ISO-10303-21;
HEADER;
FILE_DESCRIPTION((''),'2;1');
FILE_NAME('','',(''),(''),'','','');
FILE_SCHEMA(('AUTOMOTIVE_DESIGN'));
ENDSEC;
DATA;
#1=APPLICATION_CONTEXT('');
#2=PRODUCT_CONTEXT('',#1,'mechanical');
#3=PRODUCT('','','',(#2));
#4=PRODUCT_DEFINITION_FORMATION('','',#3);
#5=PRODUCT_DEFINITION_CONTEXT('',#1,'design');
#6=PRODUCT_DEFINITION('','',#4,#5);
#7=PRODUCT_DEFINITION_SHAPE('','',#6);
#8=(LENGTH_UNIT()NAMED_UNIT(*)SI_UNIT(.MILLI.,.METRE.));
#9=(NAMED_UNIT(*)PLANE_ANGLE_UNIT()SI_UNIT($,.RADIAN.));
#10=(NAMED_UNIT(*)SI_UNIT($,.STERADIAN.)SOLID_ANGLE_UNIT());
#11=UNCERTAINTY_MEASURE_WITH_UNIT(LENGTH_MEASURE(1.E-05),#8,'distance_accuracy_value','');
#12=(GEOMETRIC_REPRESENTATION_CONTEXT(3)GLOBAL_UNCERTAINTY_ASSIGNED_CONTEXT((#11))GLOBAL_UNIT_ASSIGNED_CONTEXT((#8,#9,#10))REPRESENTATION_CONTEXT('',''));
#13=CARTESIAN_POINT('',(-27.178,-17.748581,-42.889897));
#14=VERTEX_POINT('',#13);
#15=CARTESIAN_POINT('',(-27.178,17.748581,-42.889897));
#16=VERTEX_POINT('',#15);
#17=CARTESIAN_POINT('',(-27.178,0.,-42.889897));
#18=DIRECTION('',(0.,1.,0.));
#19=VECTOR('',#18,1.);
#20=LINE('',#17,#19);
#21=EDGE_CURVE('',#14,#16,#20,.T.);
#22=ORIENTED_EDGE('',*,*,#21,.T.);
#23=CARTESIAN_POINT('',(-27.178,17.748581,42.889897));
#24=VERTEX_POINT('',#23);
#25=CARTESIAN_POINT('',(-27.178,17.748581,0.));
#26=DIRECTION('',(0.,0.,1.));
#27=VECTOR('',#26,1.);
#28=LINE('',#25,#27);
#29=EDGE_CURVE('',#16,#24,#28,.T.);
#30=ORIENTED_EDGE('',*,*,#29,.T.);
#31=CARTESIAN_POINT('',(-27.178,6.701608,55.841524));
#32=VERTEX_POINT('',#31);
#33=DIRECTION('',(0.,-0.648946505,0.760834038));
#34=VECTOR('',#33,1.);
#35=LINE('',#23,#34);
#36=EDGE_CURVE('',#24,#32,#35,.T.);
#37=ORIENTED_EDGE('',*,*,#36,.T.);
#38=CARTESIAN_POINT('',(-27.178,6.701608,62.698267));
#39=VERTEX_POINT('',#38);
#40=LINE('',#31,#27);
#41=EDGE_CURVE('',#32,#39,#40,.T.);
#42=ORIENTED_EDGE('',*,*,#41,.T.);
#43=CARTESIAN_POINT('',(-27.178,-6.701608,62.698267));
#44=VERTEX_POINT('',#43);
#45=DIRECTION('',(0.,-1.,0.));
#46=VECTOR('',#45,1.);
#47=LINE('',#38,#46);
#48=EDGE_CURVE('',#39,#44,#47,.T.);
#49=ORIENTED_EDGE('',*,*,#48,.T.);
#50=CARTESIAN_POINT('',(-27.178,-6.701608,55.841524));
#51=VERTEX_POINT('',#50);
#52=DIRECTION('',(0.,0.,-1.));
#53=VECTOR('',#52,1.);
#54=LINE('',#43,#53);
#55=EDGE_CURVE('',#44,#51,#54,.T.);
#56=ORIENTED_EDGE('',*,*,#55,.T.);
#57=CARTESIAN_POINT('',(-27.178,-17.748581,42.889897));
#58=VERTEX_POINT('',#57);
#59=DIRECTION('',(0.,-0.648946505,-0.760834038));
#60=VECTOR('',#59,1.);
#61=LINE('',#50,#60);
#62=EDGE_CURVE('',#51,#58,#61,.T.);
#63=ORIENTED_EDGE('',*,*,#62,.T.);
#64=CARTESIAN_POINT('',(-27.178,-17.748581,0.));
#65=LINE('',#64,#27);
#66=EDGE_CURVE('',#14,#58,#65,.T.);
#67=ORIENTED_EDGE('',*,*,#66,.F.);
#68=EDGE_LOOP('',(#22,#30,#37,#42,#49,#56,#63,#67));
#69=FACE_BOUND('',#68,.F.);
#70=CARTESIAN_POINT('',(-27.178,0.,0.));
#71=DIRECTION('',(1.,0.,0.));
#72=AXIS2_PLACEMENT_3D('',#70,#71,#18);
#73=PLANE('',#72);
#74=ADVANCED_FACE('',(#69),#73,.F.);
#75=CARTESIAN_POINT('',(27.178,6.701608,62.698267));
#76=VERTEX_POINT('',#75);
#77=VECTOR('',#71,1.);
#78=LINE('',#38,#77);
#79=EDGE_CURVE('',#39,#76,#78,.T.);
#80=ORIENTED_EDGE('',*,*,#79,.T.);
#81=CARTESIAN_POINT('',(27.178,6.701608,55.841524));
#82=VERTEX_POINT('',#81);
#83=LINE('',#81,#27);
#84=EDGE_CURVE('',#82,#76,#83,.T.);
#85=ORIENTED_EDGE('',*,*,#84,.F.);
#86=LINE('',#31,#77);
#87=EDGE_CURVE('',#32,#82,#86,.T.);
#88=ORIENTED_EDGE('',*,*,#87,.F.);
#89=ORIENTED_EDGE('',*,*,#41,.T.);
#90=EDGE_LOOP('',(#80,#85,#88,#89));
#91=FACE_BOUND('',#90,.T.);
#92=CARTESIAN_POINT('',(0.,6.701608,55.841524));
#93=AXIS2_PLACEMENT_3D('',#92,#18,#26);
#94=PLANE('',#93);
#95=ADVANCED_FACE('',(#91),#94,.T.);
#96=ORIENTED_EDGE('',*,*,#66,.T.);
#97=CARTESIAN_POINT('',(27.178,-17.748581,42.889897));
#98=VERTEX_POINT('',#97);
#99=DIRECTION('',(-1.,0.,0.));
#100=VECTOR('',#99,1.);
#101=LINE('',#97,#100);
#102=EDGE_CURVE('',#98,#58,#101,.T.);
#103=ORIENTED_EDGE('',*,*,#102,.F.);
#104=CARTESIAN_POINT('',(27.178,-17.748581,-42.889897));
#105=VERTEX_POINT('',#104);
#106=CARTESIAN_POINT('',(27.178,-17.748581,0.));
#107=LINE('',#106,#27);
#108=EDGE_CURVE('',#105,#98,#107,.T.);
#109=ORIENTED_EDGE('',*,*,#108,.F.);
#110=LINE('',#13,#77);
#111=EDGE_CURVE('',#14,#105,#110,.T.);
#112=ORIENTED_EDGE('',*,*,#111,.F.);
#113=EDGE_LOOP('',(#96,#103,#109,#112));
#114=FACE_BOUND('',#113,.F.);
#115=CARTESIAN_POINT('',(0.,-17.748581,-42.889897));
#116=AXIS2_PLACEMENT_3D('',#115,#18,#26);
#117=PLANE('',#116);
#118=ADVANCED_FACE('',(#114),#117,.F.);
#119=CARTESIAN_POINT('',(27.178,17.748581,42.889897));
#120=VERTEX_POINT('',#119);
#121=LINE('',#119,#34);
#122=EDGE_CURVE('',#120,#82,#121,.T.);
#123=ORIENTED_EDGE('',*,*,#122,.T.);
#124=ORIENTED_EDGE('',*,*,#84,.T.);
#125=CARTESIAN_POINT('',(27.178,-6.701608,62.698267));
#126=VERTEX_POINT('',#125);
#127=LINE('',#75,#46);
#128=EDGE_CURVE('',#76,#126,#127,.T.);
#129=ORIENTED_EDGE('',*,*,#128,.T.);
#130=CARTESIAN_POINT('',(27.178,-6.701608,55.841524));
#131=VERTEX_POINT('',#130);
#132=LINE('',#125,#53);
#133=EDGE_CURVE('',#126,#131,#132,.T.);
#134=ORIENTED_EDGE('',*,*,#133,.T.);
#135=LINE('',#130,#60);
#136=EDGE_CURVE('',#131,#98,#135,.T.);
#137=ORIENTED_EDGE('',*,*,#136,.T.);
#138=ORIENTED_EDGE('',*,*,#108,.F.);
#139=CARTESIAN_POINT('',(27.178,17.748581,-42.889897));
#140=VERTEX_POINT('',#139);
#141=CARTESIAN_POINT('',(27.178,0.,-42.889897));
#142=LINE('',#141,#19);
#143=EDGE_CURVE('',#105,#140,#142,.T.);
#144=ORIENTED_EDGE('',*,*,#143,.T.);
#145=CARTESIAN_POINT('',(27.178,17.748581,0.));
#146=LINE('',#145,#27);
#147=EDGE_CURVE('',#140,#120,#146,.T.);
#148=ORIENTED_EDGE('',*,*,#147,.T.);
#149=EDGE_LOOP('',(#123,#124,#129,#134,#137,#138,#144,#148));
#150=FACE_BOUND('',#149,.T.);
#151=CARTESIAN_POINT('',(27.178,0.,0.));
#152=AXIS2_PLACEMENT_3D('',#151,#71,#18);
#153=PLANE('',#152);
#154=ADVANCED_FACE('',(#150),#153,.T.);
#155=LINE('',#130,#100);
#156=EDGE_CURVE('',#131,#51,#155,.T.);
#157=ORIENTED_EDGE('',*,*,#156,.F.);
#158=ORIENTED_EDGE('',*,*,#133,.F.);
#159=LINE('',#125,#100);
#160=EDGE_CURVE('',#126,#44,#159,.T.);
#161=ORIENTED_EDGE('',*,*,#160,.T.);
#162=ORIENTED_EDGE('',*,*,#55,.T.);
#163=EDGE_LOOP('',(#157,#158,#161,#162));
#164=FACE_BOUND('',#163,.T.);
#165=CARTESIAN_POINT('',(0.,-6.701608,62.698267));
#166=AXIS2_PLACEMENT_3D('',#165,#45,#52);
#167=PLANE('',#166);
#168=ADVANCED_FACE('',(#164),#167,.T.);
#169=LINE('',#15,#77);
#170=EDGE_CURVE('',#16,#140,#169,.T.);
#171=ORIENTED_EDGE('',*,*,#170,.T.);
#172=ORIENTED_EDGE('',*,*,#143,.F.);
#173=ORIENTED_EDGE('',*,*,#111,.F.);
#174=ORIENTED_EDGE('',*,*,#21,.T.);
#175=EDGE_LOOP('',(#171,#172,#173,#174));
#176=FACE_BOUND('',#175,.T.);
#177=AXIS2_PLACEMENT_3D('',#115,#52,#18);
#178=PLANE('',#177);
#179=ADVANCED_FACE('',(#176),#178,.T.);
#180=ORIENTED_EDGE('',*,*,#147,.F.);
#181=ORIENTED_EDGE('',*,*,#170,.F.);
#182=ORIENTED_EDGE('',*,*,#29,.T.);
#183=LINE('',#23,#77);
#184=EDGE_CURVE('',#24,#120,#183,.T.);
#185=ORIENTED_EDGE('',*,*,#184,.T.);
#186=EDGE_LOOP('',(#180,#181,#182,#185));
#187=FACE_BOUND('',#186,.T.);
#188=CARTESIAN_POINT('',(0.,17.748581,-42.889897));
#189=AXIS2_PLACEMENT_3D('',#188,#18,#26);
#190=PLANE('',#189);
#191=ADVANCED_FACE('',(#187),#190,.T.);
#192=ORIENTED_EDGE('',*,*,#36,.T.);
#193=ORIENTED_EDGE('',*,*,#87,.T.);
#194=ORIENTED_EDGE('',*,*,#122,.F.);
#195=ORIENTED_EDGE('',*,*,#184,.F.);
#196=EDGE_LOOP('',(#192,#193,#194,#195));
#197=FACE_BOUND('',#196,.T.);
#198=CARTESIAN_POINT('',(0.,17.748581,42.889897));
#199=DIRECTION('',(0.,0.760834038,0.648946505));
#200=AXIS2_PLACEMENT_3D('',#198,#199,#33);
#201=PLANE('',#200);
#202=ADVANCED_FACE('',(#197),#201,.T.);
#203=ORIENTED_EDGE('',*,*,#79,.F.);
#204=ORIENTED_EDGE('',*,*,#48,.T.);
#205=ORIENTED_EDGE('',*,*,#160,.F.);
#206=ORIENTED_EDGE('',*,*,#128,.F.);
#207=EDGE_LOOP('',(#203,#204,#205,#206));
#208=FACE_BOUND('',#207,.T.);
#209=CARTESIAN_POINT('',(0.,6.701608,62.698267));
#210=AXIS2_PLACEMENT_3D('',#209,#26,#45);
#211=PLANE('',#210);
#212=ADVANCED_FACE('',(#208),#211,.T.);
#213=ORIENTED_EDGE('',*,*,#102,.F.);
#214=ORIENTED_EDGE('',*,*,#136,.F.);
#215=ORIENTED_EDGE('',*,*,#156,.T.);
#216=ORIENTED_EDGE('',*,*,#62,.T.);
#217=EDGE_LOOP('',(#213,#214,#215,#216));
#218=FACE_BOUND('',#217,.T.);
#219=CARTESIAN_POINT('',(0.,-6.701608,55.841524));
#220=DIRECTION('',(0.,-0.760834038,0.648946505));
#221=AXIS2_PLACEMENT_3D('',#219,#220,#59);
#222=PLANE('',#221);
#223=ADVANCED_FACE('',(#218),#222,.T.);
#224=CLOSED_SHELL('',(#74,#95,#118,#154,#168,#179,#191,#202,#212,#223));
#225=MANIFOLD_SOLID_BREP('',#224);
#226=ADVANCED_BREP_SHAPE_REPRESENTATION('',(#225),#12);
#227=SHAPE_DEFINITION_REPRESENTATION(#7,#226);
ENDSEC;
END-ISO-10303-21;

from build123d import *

# Parameters (mm, degrees)
F0_W     = 35.497162
F0_H     = 85.779794
F1_DEPTH = 27.178


with BuildPart() as f1:
    # F0 (on Right) → F1 (new body, symmetric)
    with BuildSketch(Plane.YZ):
        Rectangle(F0_W, F0_H)
        Polygon((-6.701608, 55.841524), (-17.748581, 42.889897), (17.748581, 42.889897), (6.701608, 55.841524), (6.701608, 62.698267), (0, 62.698267), (-6.701608, 62.698267), align=None)
    extrude(amount=F1_DEPTH, both=True)


solid = f1.part
